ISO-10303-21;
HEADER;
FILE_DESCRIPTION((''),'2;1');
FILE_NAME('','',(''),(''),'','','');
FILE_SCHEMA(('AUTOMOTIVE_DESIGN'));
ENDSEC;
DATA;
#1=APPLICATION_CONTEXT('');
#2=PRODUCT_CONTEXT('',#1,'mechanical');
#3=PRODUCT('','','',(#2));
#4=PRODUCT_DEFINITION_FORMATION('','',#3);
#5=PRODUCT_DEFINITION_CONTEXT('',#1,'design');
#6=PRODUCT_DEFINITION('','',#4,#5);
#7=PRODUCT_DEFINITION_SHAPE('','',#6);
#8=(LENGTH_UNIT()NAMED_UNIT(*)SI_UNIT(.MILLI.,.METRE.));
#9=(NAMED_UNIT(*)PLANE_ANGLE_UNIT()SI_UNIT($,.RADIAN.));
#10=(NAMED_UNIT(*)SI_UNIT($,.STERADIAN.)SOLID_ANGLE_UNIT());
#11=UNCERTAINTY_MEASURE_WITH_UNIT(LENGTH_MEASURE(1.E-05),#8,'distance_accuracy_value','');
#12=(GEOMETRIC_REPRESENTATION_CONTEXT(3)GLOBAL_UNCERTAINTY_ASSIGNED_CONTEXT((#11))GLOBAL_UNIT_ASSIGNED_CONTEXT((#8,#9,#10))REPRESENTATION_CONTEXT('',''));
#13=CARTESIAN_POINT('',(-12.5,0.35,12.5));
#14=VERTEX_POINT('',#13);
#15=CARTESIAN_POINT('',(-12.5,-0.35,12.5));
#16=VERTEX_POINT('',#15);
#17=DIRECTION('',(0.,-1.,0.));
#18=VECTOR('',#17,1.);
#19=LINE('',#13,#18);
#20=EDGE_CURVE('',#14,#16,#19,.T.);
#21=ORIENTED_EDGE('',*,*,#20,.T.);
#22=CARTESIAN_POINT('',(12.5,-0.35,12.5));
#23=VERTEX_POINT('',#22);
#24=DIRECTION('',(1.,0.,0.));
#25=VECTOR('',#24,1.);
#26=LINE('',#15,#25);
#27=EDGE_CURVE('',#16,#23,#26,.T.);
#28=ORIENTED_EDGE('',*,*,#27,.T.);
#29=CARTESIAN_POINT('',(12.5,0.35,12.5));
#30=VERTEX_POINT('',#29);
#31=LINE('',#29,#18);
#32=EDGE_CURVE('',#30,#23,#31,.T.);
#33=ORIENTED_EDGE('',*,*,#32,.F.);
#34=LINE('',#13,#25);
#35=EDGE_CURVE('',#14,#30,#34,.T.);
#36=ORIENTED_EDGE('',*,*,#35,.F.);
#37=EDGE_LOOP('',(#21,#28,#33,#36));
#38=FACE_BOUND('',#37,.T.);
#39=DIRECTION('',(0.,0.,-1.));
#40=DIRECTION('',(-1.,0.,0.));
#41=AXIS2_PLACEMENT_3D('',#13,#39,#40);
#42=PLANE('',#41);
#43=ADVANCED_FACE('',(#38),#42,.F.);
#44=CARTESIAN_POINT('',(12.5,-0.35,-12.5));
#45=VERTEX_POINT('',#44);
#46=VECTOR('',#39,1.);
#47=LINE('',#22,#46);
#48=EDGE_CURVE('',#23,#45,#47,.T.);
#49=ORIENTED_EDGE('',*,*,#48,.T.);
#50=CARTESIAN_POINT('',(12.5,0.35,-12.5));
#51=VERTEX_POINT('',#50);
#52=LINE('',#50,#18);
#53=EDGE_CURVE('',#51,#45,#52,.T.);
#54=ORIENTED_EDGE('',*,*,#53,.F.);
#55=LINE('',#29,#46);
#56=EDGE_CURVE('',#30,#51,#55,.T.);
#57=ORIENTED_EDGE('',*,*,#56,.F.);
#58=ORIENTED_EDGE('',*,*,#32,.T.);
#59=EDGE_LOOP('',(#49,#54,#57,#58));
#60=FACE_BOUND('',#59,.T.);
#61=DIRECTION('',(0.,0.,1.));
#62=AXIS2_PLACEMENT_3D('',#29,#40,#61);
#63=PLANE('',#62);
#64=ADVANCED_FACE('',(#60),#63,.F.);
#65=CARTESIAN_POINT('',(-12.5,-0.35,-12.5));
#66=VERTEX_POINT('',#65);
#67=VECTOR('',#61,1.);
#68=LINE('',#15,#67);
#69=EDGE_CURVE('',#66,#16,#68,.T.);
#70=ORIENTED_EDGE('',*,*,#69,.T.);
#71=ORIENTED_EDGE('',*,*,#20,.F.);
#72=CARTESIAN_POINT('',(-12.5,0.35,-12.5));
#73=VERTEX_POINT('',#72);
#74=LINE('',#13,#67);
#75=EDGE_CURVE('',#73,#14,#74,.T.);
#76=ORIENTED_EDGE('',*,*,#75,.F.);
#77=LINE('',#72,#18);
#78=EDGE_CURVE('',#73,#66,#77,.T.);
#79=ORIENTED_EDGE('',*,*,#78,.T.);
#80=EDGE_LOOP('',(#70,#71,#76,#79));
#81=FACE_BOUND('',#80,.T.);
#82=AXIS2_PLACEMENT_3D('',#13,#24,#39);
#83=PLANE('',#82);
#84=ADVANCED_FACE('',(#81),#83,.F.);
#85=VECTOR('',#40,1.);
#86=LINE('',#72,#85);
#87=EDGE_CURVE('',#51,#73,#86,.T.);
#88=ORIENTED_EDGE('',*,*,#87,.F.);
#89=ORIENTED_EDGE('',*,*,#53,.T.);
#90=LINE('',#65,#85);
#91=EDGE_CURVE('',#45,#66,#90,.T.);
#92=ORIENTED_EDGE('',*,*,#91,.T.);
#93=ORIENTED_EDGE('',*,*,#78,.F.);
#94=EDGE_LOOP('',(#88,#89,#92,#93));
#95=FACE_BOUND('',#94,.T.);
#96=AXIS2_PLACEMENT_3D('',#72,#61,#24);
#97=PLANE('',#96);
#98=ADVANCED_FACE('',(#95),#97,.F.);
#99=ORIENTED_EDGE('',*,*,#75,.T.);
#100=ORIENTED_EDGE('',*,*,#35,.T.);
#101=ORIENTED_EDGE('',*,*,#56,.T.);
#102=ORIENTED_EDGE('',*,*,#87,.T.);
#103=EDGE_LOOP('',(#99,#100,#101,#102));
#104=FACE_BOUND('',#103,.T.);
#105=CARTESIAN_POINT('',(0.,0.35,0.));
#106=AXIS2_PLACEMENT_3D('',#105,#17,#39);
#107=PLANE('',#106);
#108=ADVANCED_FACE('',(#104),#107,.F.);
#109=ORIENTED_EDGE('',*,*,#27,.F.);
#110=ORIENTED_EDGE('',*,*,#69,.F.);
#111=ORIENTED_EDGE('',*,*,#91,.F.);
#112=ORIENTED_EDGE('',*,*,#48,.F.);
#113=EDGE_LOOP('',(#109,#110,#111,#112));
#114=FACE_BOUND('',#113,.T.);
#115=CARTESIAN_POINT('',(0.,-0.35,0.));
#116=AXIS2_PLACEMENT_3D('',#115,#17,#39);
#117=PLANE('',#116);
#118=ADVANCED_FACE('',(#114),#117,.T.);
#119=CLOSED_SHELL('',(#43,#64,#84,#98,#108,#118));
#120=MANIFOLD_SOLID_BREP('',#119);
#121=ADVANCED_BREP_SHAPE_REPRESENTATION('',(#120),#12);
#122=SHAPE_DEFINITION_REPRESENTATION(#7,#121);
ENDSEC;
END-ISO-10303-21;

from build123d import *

# Parameters (mm, degrees)
SKETCH1_W           = 25
SKETCH1_H           = 25
BOSS_EXTRUDE1_DEPTH = 0.35


with BuildPart() as part:
    # Sketch1 → Boss-Extrude1 (new body, symmetric)
    with BuildSketch(Plane(origin=(0, 0, 0), x_dir=(1, 0, 0), z_dir=(0, 1, 0))):
        Rectangle(SKETCH1_W, SKETCH1_H)
    extrude(amount=BOSS_EXTRUDE1_DEPTH, both=True)


solid = part.part
